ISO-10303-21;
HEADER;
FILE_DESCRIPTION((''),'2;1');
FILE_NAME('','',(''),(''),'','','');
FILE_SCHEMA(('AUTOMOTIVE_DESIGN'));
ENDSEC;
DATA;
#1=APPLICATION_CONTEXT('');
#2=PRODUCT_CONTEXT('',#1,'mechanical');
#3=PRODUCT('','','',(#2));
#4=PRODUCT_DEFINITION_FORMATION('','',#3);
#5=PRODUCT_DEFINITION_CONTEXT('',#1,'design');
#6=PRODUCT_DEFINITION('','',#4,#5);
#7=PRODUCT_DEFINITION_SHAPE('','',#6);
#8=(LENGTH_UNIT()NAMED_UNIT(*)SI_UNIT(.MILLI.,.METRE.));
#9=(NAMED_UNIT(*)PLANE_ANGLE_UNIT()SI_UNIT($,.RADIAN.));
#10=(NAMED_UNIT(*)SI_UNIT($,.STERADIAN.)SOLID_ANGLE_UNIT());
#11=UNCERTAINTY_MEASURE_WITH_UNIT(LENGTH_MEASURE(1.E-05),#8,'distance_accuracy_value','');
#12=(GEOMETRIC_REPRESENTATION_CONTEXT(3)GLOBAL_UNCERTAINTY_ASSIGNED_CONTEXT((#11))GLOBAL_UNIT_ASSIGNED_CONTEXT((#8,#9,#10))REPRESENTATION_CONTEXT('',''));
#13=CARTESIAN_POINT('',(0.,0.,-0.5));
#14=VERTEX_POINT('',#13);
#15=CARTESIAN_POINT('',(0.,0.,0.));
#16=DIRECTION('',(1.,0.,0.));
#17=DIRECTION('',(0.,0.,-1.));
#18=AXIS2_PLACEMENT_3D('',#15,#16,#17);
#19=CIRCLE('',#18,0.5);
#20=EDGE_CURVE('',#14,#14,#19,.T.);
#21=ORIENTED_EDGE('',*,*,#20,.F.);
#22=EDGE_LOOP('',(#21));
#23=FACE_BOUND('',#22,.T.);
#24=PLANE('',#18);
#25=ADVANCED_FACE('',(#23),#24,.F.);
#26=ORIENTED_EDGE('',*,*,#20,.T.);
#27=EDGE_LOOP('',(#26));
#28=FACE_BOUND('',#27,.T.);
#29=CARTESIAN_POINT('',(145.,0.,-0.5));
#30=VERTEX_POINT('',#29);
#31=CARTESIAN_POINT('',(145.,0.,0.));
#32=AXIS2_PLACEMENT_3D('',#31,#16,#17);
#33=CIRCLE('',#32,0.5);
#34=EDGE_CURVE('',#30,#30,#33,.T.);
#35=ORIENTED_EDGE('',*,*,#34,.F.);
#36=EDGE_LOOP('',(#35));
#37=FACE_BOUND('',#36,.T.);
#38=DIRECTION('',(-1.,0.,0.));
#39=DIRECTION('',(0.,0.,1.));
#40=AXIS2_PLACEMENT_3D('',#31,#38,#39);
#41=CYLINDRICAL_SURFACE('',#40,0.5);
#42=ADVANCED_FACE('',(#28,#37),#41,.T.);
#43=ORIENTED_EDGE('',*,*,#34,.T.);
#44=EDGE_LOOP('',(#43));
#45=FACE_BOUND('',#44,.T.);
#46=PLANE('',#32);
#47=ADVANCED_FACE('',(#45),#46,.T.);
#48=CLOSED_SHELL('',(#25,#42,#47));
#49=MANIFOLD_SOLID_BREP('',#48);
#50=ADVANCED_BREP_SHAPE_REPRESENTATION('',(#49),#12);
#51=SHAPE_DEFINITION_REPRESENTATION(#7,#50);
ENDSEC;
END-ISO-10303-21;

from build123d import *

# Parameters (mm, degrees)
SKETCH_1_R      = 0.5
EXTRUDE_1_DEPTH = 145


with BuildPart() as part:
    # 草图1 → 凸台-拉伸1 (new body)
    with BuildSketch(Plane(origin=(0, 0, 0), x_dir=(0, 0, -1), z_dir=(1, 0, 0))):
        Circle(SKETCH_1_R)
    extrude(amount=EXTRUDE_1_DEPTH)


solid = part.part
